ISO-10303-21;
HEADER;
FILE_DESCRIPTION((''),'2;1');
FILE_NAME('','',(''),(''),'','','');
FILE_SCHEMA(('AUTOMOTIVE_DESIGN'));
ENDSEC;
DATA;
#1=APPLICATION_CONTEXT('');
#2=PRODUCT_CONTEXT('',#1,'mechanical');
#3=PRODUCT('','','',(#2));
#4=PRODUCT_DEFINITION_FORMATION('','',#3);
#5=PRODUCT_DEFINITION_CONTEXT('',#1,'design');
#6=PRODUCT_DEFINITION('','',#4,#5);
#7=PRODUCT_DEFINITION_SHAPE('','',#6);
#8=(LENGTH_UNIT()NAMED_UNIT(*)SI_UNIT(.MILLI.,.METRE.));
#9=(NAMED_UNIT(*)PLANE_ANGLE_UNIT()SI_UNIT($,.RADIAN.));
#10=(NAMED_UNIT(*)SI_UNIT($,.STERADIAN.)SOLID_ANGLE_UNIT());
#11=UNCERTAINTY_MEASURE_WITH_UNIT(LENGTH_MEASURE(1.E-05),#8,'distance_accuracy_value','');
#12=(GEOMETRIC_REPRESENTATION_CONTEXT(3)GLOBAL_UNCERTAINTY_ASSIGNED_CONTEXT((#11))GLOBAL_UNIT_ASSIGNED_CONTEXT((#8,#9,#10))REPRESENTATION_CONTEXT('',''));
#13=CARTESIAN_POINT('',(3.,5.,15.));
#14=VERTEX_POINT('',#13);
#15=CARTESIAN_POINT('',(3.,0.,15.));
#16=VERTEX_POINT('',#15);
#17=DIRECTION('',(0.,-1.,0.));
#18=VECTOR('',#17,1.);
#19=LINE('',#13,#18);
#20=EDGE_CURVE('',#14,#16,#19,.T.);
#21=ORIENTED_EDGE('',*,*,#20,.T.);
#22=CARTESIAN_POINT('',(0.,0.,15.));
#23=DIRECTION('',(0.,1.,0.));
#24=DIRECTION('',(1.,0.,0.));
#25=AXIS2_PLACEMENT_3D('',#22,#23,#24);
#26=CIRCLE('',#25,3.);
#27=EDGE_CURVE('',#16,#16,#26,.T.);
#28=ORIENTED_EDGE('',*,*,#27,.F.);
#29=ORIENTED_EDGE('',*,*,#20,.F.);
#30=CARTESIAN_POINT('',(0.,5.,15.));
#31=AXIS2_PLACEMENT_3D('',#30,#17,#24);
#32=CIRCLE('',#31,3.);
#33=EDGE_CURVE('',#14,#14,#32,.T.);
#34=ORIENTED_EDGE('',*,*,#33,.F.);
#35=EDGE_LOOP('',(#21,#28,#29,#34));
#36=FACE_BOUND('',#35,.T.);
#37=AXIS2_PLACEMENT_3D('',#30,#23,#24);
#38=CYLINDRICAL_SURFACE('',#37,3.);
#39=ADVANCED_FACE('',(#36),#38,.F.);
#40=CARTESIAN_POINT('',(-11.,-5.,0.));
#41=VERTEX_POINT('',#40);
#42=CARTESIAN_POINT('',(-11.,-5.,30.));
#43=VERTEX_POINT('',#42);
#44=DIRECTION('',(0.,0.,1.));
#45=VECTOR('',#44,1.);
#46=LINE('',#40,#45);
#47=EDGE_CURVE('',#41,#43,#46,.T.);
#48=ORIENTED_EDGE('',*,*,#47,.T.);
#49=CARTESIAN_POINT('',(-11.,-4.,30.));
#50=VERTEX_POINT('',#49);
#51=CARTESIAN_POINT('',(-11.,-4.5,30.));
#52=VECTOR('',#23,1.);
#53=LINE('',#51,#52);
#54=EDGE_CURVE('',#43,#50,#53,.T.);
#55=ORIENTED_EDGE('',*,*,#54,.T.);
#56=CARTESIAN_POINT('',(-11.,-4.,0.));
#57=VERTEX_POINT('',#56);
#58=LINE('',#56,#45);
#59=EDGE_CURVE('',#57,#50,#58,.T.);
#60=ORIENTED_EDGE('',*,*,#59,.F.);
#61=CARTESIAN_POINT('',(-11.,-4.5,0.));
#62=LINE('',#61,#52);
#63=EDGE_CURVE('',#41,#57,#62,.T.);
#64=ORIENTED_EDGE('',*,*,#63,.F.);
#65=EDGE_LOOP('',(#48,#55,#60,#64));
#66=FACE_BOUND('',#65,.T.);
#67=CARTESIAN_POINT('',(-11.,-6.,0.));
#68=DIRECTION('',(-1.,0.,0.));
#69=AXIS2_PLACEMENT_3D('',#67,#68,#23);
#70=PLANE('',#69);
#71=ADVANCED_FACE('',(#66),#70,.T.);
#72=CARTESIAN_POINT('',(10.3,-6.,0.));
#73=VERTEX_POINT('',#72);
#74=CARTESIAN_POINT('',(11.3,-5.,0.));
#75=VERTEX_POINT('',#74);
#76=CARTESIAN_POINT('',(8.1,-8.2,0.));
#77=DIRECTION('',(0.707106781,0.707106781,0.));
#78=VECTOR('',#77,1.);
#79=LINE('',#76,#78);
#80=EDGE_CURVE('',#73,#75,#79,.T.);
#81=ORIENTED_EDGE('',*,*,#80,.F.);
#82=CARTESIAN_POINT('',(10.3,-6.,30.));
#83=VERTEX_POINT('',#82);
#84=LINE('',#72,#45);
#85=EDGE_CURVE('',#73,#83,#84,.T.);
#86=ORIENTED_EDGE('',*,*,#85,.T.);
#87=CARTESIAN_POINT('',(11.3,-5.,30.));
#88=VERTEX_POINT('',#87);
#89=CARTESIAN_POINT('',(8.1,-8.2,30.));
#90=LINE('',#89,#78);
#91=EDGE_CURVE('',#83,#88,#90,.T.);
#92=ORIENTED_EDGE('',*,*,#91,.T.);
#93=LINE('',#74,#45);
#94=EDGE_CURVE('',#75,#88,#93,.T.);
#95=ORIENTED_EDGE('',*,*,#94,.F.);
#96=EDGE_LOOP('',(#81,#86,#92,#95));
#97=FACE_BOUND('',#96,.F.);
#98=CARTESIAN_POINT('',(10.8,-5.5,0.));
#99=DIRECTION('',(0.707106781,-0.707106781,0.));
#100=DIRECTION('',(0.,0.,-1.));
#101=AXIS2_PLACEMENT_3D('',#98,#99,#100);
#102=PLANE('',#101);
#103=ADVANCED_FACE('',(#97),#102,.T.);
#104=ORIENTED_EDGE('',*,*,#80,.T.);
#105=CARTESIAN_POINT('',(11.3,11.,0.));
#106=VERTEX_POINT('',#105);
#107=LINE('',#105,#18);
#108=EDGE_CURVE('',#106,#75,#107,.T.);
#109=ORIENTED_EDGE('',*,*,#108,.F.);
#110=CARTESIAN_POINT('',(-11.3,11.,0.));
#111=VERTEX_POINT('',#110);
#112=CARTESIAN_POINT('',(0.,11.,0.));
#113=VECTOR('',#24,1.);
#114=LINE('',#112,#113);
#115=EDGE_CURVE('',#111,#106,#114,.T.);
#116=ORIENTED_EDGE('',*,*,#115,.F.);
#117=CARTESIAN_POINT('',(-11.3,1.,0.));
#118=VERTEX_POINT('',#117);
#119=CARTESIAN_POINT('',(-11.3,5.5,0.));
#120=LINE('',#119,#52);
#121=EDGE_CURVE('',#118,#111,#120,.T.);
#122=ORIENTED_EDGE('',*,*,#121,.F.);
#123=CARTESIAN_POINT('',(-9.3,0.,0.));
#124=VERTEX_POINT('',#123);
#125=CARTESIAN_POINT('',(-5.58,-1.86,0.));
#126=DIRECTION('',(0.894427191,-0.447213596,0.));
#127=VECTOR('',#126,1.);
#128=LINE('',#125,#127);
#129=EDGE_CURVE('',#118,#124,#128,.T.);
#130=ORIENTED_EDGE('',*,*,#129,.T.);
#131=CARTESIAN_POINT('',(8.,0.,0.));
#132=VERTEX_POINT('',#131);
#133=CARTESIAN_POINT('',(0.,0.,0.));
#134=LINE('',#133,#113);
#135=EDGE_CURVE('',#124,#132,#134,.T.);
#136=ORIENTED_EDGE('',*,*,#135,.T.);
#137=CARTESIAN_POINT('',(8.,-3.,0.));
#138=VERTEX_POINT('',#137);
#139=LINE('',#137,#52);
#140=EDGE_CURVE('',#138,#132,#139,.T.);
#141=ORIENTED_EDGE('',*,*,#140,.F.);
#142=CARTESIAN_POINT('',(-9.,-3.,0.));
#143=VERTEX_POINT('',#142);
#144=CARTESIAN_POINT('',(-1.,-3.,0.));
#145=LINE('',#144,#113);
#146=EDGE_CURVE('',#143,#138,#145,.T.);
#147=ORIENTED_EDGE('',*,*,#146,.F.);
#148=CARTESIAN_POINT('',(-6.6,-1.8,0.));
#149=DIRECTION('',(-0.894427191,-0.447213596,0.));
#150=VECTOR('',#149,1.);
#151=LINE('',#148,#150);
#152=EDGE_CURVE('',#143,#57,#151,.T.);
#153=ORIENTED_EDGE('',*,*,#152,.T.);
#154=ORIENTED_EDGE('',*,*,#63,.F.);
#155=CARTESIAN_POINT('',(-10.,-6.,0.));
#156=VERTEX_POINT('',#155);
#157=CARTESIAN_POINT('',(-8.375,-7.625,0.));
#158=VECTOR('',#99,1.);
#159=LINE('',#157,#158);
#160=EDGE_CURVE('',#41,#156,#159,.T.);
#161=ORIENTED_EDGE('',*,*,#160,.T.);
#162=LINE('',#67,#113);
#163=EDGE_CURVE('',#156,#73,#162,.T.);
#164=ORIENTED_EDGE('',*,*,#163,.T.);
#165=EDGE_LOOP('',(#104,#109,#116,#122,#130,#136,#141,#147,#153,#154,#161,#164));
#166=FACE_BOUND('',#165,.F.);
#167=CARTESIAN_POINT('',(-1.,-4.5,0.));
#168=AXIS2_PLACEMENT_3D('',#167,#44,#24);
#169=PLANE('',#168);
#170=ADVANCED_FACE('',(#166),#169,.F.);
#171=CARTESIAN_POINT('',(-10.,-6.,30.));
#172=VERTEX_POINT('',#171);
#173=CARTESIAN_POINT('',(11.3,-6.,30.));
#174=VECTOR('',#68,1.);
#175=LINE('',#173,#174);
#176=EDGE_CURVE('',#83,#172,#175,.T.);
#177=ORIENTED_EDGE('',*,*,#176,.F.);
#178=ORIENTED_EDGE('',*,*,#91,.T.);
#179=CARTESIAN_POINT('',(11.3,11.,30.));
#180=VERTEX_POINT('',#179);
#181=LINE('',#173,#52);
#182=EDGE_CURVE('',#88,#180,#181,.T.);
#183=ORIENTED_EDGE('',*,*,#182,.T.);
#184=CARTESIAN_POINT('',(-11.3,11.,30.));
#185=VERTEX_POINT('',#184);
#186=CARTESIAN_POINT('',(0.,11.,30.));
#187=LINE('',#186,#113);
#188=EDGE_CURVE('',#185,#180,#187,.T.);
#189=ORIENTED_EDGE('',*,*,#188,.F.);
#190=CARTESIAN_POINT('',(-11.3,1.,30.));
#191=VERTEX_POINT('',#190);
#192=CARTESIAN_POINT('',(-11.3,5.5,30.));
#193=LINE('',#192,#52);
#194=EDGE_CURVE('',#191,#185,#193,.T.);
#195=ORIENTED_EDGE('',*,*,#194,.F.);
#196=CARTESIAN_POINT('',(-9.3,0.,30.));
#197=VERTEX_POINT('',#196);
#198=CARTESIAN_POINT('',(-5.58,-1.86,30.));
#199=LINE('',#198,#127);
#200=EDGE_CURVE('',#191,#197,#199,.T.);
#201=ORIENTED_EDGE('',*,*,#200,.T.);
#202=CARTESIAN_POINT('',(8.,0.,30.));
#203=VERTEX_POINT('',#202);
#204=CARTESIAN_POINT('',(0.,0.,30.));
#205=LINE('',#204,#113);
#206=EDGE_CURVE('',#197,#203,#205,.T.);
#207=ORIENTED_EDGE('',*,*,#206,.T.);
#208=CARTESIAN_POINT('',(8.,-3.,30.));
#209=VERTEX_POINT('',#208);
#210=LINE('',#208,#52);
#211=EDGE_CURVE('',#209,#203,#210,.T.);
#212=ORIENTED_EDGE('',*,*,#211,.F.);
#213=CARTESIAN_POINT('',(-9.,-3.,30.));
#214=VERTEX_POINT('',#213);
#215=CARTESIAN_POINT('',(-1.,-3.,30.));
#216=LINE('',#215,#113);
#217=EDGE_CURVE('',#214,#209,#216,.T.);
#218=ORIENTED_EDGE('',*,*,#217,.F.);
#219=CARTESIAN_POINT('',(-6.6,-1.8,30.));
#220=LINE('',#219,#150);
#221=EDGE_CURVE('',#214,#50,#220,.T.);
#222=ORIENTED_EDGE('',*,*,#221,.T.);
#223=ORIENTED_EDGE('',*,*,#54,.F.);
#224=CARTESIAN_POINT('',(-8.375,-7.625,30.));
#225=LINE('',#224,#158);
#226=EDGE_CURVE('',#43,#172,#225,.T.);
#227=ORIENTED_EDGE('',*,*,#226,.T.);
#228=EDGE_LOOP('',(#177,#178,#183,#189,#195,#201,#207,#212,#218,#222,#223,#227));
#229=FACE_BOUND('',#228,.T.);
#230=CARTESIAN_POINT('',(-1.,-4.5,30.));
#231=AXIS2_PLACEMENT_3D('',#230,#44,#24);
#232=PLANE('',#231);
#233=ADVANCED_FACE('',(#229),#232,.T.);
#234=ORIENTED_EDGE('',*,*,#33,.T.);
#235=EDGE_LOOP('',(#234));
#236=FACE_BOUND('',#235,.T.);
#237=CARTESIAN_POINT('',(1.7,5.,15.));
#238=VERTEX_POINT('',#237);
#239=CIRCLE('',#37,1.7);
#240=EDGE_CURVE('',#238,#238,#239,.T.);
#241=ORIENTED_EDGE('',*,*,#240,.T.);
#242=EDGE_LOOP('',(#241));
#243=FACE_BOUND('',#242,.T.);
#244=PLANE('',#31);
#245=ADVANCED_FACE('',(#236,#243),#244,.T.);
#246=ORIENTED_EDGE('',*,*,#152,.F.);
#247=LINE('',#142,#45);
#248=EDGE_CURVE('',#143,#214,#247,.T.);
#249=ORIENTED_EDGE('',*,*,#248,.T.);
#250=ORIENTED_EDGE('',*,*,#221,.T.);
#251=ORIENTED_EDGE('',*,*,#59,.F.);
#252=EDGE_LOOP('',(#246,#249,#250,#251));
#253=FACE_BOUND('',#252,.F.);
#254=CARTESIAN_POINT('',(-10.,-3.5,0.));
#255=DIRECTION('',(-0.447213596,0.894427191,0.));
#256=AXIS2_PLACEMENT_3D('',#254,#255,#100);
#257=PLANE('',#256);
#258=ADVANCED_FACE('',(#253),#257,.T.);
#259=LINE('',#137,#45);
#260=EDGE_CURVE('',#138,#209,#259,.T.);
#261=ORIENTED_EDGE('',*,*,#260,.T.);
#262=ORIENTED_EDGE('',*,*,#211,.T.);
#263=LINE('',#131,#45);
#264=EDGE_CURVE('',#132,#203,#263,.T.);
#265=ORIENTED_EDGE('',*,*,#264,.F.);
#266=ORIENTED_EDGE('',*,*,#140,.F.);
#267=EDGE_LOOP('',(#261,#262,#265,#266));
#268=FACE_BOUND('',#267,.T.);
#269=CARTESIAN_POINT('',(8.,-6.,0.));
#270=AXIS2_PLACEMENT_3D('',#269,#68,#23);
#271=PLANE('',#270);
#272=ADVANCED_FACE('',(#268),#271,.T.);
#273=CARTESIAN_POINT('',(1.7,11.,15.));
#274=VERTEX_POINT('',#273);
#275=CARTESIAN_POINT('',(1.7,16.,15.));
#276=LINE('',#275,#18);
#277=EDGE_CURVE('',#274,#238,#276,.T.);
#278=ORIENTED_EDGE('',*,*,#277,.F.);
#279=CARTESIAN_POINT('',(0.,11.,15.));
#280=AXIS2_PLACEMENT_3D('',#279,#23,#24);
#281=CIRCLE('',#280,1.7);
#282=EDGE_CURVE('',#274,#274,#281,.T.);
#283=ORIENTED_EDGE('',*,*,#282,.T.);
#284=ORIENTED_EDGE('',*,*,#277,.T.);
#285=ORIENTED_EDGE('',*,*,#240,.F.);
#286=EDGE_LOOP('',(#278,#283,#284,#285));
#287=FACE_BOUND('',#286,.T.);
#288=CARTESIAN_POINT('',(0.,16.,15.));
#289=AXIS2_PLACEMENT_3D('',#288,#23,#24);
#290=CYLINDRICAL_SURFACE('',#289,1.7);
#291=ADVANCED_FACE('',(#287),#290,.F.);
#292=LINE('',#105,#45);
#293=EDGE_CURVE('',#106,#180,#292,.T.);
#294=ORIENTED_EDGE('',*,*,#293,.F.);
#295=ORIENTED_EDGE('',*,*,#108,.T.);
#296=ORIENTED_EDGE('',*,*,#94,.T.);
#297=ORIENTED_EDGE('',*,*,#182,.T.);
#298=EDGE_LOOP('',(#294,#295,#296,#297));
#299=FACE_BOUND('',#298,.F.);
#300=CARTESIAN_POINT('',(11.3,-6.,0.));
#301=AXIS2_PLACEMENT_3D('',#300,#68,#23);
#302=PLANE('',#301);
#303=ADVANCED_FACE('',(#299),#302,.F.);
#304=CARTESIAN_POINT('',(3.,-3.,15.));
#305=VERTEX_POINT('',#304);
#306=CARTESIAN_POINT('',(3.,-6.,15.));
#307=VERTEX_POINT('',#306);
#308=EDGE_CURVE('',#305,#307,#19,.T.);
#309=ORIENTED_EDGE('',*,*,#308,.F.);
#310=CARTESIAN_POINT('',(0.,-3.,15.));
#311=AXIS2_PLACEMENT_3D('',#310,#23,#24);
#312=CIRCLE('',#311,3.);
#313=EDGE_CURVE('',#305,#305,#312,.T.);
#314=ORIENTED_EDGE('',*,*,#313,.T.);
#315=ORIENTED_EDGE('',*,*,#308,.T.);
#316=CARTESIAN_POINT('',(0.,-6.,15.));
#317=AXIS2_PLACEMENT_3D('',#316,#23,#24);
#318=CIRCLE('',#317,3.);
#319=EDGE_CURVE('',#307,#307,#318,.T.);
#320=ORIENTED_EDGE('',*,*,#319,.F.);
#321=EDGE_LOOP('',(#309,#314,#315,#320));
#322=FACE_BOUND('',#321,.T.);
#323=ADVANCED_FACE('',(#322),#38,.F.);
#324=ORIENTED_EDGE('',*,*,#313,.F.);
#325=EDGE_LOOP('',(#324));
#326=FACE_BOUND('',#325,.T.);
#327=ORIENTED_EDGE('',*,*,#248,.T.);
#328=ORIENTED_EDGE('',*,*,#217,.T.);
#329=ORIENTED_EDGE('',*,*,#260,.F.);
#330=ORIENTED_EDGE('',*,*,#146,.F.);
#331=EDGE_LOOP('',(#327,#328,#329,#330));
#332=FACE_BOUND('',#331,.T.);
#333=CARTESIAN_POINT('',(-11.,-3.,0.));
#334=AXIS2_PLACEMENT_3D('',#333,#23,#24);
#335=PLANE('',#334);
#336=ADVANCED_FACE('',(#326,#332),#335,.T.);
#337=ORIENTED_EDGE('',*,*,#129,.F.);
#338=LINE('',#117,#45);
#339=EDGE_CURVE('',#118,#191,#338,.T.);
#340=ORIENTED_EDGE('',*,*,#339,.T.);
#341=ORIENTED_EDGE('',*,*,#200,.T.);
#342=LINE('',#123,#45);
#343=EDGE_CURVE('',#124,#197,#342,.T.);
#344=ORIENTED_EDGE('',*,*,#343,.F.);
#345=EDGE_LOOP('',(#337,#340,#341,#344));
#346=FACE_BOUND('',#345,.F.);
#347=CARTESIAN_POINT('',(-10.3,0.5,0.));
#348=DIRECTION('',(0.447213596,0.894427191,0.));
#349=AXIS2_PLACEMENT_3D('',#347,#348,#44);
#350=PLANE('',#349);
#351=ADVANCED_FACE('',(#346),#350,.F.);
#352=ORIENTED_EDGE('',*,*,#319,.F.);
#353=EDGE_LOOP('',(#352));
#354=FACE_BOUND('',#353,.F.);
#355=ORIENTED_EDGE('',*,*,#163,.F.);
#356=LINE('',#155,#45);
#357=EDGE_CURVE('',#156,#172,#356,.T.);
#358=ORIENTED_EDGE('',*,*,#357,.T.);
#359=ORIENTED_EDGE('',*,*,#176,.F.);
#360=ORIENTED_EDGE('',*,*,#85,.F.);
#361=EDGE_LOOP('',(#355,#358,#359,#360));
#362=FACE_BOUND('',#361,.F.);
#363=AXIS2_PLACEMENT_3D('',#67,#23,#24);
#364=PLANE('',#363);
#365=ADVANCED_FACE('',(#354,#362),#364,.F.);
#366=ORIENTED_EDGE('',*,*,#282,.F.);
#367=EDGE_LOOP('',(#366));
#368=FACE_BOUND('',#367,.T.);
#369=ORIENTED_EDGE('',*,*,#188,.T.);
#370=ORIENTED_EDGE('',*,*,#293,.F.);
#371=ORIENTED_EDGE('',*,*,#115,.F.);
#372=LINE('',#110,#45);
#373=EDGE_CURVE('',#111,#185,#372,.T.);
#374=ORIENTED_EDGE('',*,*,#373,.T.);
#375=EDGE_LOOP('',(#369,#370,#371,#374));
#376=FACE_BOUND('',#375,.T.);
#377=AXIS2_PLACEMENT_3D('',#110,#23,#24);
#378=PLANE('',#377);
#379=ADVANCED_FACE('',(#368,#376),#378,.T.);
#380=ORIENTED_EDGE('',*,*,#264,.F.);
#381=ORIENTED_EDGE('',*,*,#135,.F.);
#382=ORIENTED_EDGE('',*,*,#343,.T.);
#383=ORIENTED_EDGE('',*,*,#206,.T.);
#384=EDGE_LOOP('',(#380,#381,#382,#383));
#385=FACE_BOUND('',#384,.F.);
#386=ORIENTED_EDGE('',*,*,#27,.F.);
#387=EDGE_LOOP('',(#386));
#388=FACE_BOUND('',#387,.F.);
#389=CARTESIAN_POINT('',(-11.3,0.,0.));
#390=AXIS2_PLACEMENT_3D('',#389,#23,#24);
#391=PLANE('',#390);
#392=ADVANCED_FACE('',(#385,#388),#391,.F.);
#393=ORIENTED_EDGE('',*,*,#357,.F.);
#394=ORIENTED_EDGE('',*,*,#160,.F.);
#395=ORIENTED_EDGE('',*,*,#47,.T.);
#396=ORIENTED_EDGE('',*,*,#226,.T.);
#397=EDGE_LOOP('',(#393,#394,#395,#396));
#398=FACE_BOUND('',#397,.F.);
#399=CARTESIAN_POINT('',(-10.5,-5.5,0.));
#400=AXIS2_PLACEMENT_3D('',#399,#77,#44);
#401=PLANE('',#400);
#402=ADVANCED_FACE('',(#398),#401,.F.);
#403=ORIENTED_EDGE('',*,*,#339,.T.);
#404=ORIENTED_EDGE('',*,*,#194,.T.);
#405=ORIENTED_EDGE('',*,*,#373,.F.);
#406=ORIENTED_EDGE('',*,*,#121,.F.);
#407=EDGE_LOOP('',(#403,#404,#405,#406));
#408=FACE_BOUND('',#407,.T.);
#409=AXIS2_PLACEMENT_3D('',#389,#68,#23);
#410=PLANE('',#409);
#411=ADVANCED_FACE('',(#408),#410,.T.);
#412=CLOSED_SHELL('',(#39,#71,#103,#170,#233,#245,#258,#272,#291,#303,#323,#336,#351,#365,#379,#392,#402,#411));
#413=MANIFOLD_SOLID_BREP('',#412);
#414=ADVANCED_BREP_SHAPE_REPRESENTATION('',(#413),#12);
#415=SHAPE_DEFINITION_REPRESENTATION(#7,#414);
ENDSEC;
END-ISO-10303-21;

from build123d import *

# Parameters (mm, degrees)
CYLINDER005_R     = 3
CYLINDER005_DEPTH = 25
CYLINDER006_R     = 1.7
CYLINDER006_DEPTH = 25
BOX014_W          = 22.6
BOX014_H          = 11
BOX014_DEPTH      = 30
BOX015_W          = 3.3
BOX015_H          = 6
BOX015_DEPTH      = 30
BOX016_W          = 20
BOX016_H          = 3
BOX016_DEPTH      = 30
CHAMFER008_SIZE   = 1
CHAMFER009_SIZE2  = 2
CHAMFER009_SIZE   = 1
CHAMFER010_SIZE2  = 1
CHAMFER010_SIZE   = 2
CHAMFER011_SIZE   = 1


with BuildPart() as cylinder005:
    # Cylinder005 → Cylinder005 (new body)
    with BuildSketch(Plane(origin=(0, 5, 15), x_dir=(1, 0, 0), z_dir=(0, -1, 0))):
        Circle(CYLINDER005_R)
    extrude(amount=CYLINDER005_DEPTH)


with BuildPart() as cylinder006:
    # Cylinder006 → Cylinder006 (new body)
    with BuildSketch(Plane(origin=(0, 16, 15), x_dir=(1, 0, 0), z_dir=(0, -1, 0))):
        Circle(CYLINDER006_R)
    extrude(amount=CYLINDER006_DEPTH)


with BuildPart() as cube014:
    # Box014 → Box014 (new body)
    with BuildSketch(Plane(origin=(-11.3, 0, 0), x_dir=(1, 0, 0), z_dir=(0, 0, 1))):
        with Locations((11.3, 5.5)):
            Rectangle(BOX014_W, BOX014_H)
    extrude(amount=BOX014_DEPTH)


with BuildPart() as cube015:
    # Box015 → Box015 (new body)
    with BuildSketch(Plane(origin=(8, -6, 0), x_dir=(1, 0, 0), z_dir=(0, 0, 1))):
        with Locations((1.65, 3)):
            Rectangle(BOX015_W, BOX015_H)
    extrude(amount=BOX015_DEPTH)


with BuildPart() as clip_back_top_bottom:
    # Box016 → Box016 (new body)
    with BuildSketch(Plane(origin=(-11, -6, 0), x_dir=(1, 0, 0), z_dir=(0, 0, 1))):
        with Locations((10, 1.5)):
            Rectangle(BOX016_W, BOX016_H)
    extrude(amount=BOX016_DEPTH)

    # Fusion004: union Cube014, Cube015
    add(cube014.part)
    add(cube015.part)

    # Chamfer008
    chamfer008_edges = [clip_back_top_bottom.edges().sort_by_distance(p)[0] for p in [
        (11.3, -6, 15),
    ]]
    chamfer(chamfer008_edges, length=CHAMFER008_SIZE)

    # Chamfer009
    chamfer009_edges = [clip_back_top_bottom.edges().sort_by_distance(p)[0] for p in [
        (-11.3, 0, 15),
    ]]
    chamfer009_side = clip_back_top_bottom.faces().sort_by_distance((-11.3, 5.5, 15))[0]
    chamfer(chamfer009_edges, length=CHAMFER009_SIZE, length2=CHAMFER009_SIZE2, reference=chamfer009_side)

    # Chamfer010
    chamfer010_edges = [clip_back_top_bottom.edges().sort_by_distance(p)[0] for p in [
        (-11, -3, 15),
    ]]
    chamfer010_side = clip_back_top_bottom.faces().sort_by_distance((-1.5, -3, 15))[0]
    chamfer(chamfer010_edges, length=CHAMFER010_SIZE, length2=CHAMFER010_SIZE2, reference=chamfer010_side)

    # Cut003: cut Cylinder006
    add(cylinder006.part, mode=Mode.SUBTRACT)

    # Cut004: cut Cylinder005
    add(cylinder005.part, mode=Mode.SUBTRACT)

    # Chamfer011
    chamfer011_edges = [clip_back_top_bottom.edges().sort_by_distance(p)[0] for p in [
        (-11, -6, 15),
    ]]
    chamfer(chamfer011_edges, length=CHAMFER011_SIZE)


solid = clip_back_top_bottom.part
